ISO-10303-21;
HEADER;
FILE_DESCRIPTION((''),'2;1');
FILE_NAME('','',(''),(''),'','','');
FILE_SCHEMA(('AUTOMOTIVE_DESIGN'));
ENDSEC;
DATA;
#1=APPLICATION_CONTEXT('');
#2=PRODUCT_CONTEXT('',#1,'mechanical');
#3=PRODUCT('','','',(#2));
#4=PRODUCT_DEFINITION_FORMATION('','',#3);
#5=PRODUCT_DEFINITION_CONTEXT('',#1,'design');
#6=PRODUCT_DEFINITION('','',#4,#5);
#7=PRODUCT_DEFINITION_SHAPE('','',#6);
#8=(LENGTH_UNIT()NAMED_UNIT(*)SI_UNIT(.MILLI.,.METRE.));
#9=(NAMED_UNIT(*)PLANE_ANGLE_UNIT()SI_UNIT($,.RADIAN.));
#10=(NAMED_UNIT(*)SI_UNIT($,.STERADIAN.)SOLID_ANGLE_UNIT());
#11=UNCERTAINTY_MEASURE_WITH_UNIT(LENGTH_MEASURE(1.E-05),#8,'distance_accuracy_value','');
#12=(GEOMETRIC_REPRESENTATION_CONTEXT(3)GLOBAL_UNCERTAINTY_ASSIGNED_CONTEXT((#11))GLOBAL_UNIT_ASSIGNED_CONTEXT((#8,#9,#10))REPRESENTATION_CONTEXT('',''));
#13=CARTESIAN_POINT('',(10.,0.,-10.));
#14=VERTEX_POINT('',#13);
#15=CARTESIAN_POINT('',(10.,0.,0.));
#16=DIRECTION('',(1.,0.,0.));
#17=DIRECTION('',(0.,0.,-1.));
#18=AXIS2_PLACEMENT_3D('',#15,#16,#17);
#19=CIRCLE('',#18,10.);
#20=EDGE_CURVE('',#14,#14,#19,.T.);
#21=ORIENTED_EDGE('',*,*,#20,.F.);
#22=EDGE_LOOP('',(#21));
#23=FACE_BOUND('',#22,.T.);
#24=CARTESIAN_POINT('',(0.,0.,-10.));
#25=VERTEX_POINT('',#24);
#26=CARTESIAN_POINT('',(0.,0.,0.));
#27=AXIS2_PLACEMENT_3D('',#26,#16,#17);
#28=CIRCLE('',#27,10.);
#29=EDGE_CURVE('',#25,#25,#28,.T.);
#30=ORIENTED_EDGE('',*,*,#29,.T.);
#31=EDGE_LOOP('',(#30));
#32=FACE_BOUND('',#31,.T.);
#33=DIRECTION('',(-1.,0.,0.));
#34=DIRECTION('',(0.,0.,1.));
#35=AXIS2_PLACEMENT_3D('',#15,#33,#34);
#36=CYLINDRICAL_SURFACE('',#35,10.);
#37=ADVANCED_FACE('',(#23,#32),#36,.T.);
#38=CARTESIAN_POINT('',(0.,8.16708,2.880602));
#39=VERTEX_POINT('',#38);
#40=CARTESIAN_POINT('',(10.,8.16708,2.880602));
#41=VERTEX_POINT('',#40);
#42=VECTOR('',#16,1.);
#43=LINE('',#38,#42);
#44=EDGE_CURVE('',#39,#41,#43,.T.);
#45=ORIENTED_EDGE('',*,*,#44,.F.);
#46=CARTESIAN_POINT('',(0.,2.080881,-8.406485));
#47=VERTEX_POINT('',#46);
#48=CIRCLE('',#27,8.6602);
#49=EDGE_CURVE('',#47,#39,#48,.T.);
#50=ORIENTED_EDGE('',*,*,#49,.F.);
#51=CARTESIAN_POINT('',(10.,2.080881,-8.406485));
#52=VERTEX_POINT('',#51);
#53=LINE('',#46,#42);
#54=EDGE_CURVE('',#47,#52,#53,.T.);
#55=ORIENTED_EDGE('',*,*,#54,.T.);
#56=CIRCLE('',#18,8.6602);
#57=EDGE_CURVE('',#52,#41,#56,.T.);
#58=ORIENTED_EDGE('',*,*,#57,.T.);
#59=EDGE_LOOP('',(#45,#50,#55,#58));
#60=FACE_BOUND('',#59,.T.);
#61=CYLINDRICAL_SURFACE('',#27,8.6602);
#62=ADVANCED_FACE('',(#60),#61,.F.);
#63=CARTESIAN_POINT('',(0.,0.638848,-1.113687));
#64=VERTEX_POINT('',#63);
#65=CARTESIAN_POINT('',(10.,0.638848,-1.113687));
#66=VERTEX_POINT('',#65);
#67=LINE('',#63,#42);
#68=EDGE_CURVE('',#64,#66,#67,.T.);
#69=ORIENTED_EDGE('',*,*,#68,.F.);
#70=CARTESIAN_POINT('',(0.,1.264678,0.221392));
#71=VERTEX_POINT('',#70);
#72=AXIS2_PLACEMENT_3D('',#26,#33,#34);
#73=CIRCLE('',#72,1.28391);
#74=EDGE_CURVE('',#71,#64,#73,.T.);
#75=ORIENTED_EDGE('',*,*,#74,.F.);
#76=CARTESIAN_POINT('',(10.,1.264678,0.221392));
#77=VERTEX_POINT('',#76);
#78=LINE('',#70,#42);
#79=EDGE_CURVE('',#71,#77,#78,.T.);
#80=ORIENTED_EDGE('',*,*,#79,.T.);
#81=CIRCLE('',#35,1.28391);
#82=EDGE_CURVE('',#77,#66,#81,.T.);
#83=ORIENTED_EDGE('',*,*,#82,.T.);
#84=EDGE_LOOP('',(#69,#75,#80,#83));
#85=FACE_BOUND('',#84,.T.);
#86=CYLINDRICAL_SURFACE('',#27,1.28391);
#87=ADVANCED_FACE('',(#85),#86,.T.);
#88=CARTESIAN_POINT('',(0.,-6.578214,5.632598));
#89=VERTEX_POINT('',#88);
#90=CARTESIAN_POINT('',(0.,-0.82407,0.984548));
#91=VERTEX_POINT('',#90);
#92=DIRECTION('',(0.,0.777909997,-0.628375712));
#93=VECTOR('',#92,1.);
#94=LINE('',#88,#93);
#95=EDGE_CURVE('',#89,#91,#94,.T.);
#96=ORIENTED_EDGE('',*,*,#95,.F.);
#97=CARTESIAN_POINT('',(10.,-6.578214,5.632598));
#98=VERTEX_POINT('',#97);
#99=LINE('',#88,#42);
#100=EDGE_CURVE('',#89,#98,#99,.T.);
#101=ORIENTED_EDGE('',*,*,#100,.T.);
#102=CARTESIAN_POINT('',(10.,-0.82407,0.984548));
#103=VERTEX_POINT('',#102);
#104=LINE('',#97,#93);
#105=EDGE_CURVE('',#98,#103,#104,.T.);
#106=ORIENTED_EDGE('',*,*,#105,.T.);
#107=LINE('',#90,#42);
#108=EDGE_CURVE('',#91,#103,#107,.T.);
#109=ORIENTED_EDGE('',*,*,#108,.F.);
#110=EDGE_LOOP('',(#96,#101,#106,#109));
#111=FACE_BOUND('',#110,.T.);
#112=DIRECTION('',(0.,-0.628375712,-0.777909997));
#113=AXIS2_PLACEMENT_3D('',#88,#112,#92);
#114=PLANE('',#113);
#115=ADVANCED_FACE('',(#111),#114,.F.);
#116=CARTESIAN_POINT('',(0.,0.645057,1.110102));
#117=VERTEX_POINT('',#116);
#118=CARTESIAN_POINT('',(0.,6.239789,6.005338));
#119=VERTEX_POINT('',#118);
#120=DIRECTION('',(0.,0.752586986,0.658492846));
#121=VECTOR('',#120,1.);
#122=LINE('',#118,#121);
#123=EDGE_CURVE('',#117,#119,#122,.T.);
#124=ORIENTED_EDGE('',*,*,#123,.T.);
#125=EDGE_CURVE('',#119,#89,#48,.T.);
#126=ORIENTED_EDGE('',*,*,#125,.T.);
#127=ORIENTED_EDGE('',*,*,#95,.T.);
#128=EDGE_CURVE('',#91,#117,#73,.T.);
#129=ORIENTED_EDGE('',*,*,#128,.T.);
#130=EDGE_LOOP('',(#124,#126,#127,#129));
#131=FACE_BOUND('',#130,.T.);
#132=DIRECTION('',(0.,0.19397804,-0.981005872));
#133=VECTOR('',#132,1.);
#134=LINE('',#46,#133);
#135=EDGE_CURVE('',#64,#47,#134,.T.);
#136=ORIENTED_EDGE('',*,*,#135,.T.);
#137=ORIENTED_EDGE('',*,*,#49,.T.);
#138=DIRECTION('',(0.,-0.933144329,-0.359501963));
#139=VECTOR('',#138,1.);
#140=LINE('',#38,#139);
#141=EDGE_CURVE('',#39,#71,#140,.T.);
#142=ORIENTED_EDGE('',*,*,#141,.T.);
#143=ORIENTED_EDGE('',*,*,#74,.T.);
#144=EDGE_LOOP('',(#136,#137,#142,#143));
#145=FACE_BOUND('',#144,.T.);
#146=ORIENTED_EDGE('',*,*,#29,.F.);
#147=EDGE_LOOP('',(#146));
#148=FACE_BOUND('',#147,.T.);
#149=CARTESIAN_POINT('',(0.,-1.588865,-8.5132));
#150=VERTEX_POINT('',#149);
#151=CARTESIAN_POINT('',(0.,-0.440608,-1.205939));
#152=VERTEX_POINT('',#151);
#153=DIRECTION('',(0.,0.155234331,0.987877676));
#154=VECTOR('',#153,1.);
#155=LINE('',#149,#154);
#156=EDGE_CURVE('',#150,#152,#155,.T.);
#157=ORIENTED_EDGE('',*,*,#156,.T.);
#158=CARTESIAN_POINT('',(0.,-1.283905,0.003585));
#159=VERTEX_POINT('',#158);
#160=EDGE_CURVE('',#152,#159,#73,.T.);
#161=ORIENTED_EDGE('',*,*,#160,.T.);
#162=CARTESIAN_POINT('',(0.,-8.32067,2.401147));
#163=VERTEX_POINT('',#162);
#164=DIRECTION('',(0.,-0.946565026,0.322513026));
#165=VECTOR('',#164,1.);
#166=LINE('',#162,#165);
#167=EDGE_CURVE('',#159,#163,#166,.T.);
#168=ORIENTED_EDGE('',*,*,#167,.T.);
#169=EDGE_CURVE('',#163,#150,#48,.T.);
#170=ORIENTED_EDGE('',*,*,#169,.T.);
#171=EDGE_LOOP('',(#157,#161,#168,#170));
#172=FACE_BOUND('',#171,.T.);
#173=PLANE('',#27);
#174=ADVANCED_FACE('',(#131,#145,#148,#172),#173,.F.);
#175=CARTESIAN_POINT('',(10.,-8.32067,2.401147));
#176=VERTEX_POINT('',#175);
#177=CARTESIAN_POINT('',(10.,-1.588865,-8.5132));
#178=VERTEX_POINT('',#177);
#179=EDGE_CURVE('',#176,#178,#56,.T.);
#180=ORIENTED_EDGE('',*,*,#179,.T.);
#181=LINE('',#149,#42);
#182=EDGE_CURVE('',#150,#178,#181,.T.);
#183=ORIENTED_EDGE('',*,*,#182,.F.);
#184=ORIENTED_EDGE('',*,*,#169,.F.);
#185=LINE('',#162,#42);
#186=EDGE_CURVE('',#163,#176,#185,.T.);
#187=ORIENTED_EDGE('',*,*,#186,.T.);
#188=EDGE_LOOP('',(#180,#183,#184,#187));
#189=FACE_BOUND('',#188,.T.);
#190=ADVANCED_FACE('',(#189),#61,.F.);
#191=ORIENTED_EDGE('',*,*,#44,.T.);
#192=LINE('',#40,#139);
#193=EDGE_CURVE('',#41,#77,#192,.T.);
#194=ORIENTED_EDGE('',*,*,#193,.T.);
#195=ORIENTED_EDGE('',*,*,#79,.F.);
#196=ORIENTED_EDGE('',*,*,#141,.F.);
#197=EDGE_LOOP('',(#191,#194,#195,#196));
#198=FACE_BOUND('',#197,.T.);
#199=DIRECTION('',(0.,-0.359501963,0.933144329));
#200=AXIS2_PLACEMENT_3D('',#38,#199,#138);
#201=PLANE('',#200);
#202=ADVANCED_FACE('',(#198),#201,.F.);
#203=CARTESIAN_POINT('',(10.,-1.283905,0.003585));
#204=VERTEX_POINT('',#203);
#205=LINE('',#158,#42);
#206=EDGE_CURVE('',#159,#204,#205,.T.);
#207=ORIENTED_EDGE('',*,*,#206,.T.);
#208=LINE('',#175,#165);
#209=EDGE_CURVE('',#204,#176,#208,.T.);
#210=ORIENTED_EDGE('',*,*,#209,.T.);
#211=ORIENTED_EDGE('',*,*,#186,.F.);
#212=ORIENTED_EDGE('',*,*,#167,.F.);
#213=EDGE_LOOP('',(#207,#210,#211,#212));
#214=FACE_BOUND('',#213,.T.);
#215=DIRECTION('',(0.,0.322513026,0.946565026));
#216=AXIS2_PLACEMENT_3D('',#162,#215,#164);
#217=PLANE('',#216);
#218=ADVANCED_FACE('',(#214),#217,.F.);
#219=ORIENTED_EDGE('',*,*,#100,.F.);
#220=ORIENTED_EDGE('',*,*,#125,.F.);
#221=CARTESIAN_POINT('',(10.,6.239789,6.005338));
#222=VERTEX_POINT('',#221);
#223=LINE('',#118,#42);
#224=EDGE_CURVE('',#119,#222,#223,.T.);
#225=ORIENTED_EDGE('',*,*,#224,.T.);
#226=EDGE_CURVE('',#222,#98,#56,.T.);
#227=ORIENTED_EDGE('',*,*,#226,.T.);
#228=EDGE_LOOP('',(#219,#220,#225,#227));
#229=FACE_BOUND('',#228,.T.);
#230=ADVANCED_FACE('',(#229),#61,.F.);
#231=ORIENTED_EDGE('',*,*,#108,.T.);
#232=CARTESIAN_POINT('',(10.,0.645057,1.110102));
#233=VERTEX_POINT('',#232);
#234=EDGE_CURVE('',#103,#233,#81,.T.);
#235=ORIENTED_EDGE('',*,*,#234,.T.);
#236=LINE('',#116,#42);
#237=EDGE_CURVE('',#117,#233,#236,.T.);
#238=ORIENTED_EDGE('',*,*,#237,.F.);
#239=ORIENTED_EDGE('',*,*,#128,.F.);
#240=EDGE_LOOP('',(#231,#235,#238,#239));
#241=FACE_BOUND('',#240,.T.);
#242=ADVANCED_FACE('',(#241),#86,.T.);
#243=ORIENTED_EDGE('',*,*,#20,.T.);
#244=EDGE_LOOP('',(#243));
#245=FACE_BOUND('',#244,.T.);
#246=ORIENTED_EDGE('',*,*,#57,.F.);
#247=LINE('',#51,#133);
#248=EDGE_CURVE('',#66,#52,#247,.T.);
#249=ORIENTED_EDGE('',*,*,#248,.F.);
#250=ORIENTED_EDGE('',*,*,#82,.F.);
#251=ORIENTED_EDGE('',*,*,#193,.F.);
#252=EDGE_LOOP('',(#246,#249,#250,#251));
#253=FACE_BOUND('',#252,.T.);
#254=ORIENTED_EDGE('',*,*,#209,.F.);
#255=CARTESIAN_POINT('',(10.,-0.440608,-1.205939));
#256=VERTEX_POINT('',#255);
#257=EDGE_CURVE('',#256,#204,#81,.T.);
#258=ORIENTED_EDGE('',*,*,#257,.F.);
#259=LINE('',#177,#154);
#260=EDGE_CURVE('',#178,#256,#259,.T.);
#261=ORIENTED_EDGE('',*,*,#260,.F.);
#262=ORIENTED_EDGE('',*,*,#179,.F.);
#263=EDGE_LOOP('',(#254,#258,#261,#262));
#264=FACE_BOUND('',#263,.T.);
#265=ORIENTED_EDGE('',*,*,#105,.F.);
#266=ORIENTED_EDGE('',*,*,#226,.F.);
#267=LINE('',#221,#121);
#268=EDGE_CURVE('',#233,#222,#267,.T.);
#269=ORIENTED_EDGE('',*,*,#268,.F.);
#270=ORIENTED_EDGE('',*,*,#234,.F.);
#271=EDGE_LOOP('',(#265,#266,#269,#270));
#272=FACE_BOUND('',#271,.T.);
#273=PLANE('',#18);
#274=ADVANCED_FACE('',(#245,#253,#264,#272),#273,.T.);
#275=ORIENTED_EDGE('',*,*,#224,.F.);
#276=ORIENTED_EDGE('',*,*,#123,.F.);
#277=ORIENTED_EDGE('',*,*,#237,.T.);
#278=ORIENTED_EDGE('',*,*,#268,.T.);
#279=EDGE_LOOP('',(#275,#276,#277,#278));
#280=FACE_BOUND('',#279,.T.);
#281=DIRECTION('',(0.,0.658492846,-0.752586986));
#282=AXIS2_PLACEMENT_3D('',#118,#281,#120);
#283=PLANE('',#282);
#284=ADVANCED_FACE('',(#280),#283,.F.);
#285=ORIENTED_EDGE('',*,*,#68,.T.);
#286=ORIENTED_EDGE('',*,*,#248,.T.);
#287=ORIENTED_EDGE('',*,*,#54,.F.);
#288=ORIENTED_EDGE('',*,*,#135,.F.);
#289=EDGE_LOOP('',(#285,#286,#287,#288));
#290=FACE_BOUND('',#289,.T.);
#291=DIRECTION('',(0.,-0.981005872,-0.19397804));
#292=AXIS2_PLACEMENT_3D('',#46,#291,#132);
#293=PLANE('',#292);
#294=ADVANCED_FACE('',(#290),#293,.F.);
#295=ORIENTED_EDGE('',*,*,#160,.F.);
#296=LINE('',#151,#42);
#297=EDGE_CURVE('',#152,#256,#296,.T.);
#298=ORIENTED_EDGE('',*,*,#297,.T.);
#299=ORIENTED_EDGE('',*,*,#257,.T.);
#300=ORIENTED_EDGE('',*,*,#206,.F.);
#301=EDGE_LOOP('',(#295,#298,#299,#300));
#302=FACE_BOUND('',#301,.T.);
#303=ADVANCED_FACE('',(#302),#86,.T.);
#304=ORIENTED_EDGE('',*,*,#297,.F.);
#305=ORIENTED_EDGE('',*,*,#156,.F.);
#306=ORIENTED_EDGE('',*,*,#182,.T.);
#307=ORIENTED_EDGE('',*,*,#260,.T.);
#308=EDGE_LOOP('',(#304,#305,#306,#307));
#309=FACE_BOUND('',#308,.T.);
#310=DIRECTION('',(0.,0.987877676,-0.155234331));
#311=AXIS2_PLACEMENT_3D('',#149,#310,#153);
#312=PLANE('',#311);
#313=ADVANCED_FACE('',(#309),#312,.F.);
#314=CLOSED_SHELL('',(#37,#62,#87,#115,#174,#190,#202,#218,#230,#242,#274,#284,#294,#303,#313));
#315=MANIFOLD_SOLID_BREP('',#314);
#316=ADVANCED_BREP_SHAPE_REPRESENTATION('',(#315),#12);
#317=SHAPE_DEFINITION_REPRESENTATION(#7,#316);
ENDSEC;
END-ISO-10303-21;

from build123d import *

# Parameters (mm, degrees)
SKETCH1_R               = 10
BOSS_EXTRUDE1_DEPTH     = 10
CUT_EXTRUDE1_DEPTH      = 18.320508076
CUT_EXTRUDE1_DEPTH_BACK = 18.320508076


with BuildPart() as part:
    # Sketch1 → Boss-Extrude1 (new body)
    with BuildSketch(Plane(origin=(0, 0, 0), x_dir=(0, 0, -1), z_dir=(1, 0, 0))):
        Circle(SKETCH1_R)
    extrude(amount=BOSS_EXTRUDE1_DEPTH)

    # Sketch2 → Cut-Extrude1 (cut, two sides: drawn at the far end of the back side and taken through both)
    with BuildSketch(Plane(origin=(10, 0, 0), x_dir=(0, 0, -1), z_dir=(1, 0, 0)).offset(-CUT_EXTRUDE1_DEPTH_BACK)):
        with BuildLine():
            Line((-6.005338319, 6.239789308), (-1.110102081, 0.645057171))
            ThreePointArc((-1.110102081, 0.645057171), (-1.279247043, -0.109326976), (-0.98454757, -0.824070062))
            Line((-0.98454757, -0.824070062), (-5.632597517, -6.578214359))
            ThreePointArc((-5.632597517, -6.578214359), (-8.656540425, -0.251727641), (-6.005338319, 6.239789308))
        make_face()
        with BuildLine():
            Line((8.406485214, 2.080880889), (1.113686937, 0.638848017))
            ThreePointArc((1.113686937, 0.638848017), (0.544943583, 1.162523924), (-0.221391823, 1.264678237))
            Line((-0.221391823, 1.264678237), (-2.880601988, 8.167079718))
            ThreePointArc((-2.880601988, 8.167079718), (4.110267681, 7.622647737), (8.406485214, 2.080880889))
        make_face()
        with BuildLine():
            Line((-2.401146895, -8.320670197), (-0.003584856, -1.283905188))
            ThreePointArc((-0.003584856, -1.283905188), (0.73430346, -1.053196949), (1.205939393, -0.440608176))
            Line((1.205939393, -0.440608176), (8.513199505, -1.588865359))
            ThreePointArc((8.513199505, -1.588865359), (4.546272744, -7.370920096), (-2.401146895, -8.320670197))
        make_face()
    extrude(amount=CUT_EXTRUDE1_DEPTH + CUT_EXTRUDE1_DEPTH_BACK, mode=Mode.SUBTRACT)


solid = part.part
